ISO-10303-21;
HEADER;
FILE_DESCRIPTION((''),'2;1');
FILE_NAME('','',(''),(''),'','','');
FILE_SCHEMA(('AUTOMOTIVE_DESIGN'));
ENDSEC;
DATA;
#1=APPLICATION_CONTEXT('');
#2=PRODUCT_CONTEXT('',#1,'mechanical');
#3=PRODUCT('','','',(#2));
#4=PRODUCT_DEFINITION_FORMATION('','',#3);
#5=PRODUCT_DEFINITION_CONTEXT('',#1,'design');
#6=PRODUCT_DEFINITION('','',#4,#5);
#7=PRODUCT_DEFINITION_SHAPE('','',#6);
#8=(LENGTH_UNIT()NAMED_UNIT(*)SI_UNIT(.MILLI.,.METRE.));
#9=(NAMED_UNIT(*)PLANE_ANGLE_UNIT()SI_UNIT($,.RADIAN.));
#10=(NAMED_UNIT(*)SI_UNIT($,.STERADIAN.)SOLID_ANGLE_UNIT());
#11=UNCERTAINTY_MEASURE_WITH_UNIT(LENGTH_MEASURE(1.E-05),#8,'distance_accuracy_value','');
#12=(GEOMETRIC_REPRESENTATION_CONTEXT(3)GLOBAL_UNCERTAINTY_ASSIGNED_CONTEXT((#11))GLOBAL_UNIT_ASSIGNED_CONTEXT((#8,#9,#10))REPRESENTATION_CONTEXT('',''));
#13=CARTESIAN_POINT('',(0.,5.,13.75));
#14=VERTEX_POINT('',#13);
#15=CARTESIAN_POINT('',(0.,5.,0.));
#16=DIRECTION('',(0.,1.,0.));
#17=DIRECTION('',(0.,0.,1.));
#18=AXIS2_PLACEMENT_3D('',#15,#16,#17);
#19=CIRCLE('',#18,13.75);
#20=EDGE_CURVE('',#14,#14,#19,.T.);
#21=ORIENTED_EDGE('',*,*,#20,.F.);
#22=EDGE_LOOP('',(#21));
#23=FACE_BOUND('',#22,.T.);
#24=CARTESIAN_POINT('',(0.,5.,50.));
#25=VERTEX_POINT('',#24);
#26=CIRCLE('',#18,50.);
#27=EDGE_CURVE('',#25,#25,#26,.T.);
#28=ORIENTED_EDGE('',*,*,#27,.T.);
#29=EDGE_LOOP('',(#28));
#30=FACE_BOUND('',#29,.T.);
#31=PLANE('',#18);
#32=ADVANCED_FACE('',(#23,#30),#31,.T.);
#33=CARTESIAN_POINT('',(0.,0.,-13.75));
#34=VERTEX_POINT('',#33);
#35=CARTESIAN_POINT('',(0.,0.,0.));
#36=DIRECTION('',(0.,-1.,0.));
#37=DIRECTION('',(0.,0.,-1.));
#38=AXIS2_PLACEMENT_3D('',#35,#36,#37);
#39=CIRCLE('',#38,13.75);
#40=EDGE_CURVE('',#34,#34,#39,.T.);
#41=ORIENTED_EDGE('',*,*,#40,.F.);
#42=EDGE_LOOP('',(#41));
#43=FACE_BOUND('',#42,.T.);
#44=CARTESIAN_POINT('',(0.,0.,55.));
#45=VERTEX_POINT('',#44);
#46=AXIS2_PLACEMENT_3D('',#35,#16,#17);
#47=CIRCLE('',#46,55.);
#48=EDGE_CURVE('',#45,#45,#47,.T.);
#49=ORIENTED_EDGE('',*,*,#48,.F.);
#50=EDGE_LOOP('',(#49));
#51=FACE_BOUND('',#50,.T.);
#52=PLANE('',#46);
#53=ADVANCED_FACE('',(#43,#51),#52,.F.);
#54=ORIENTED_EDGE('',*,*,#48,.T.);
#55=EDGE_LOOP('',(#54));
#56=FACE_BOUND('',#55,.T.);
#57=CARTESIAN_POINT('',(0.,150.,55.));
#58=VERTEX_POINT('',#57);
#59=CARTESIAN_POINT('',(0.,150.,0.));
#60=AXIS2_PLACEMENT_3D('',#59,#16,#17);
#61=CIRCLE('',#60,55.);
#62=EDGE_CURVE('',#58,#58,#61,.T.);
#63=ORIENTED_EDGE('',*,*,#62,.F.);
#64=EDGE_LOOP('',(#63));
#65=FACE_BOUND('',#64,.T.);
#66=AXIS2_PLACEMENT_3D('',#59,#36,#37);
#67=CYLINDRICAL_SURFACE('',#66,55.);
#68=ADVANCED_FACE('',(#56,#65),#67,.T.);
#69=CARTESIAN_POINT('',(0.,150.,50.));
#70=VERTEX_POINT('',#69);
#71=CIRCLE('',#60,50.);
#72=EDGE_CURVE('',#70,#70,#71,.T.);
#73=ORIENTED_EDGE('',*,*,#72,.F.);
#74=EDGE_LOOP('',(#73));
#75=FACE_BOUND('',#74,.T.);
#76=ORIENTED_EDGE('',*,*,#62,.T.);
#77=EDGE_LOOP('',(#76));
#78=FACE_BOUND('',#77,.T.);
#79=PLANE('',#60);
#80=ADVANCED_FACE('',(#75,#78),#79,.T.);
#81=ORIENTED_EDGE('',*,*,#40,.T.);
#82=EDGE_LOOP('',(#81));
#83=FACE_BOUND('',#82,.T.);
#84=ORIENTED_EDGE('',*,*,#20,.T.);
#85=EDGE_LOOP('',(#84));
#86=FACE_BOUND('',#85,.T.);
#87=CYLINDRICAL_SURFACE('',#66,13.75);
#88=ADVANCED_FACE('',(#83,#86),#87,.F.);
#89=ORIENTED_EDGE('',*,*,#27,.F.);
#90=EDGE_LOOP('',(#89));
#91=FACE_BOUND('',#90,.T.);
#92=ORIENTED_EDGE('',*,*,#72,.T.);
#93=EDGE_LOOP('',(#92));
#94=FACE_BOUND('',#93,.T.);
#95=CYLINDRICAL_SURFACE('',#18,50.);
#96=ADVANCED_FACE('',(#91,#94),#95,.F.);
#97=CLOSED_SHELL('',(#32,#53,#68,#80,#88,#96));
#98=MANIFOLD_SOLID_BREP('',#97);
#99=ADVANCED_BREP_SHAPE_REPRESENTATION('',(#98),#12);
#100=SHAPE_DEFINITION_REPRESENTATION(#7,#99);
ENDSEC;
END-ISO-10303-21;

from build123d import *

# Parameters (mm, degrees)
SKETCH_1_R          = 55
EXTRUDE_1_DEPTH     = 150
SKETCH_2_R          = 50
CUT_EXTRUDE_1_DEPTH = 145
SKETCH_3_R          = 13.75
CUT_EXTRUDE_2_DEPTH = 169.967452487


with BuildPart() as part:
    # 草图1 → 拉伸1 (new body)
    with BuildSketch(Plane(origin=(0, 0, 0), x_dir=(1, 0, 0), z_dir=(0, 1, 0))):
        with Locations(Location((0, 0, 0), (0, 0, 270))):
            Circle(SKETCH_1_R)
    extrude(amount=EXTRUDE_1_DEPTH)

    # 草图2 → 切除-拉伸1 (cut)
    with BuildSketch(Plane(origin=(0, 150, 0), x_dir=(-1, 0, 0), z_dir=(0, 1, 0))):
        with Locations(Location((0, 0, 0), (0, 0, 90))):
            Circle(SKETCH_2_R)
    extrude(amount=-CUT_EXTRUDE_1_DEPTH, mode=Mode.SUBTRACT)

    # 草图3 → 切除-拉伸2 (cut, through all)
    with BuildSketch(Plane.XZ):
        with Locations(Location((0, 0, 0), (0, 0, 270))):
            Circle(SKETCH_3_R)
    extrude(amount=-CUT_EXTRUDE_2_DEPTH, mode=Mode.SUBTRACT)


solid = part.part
